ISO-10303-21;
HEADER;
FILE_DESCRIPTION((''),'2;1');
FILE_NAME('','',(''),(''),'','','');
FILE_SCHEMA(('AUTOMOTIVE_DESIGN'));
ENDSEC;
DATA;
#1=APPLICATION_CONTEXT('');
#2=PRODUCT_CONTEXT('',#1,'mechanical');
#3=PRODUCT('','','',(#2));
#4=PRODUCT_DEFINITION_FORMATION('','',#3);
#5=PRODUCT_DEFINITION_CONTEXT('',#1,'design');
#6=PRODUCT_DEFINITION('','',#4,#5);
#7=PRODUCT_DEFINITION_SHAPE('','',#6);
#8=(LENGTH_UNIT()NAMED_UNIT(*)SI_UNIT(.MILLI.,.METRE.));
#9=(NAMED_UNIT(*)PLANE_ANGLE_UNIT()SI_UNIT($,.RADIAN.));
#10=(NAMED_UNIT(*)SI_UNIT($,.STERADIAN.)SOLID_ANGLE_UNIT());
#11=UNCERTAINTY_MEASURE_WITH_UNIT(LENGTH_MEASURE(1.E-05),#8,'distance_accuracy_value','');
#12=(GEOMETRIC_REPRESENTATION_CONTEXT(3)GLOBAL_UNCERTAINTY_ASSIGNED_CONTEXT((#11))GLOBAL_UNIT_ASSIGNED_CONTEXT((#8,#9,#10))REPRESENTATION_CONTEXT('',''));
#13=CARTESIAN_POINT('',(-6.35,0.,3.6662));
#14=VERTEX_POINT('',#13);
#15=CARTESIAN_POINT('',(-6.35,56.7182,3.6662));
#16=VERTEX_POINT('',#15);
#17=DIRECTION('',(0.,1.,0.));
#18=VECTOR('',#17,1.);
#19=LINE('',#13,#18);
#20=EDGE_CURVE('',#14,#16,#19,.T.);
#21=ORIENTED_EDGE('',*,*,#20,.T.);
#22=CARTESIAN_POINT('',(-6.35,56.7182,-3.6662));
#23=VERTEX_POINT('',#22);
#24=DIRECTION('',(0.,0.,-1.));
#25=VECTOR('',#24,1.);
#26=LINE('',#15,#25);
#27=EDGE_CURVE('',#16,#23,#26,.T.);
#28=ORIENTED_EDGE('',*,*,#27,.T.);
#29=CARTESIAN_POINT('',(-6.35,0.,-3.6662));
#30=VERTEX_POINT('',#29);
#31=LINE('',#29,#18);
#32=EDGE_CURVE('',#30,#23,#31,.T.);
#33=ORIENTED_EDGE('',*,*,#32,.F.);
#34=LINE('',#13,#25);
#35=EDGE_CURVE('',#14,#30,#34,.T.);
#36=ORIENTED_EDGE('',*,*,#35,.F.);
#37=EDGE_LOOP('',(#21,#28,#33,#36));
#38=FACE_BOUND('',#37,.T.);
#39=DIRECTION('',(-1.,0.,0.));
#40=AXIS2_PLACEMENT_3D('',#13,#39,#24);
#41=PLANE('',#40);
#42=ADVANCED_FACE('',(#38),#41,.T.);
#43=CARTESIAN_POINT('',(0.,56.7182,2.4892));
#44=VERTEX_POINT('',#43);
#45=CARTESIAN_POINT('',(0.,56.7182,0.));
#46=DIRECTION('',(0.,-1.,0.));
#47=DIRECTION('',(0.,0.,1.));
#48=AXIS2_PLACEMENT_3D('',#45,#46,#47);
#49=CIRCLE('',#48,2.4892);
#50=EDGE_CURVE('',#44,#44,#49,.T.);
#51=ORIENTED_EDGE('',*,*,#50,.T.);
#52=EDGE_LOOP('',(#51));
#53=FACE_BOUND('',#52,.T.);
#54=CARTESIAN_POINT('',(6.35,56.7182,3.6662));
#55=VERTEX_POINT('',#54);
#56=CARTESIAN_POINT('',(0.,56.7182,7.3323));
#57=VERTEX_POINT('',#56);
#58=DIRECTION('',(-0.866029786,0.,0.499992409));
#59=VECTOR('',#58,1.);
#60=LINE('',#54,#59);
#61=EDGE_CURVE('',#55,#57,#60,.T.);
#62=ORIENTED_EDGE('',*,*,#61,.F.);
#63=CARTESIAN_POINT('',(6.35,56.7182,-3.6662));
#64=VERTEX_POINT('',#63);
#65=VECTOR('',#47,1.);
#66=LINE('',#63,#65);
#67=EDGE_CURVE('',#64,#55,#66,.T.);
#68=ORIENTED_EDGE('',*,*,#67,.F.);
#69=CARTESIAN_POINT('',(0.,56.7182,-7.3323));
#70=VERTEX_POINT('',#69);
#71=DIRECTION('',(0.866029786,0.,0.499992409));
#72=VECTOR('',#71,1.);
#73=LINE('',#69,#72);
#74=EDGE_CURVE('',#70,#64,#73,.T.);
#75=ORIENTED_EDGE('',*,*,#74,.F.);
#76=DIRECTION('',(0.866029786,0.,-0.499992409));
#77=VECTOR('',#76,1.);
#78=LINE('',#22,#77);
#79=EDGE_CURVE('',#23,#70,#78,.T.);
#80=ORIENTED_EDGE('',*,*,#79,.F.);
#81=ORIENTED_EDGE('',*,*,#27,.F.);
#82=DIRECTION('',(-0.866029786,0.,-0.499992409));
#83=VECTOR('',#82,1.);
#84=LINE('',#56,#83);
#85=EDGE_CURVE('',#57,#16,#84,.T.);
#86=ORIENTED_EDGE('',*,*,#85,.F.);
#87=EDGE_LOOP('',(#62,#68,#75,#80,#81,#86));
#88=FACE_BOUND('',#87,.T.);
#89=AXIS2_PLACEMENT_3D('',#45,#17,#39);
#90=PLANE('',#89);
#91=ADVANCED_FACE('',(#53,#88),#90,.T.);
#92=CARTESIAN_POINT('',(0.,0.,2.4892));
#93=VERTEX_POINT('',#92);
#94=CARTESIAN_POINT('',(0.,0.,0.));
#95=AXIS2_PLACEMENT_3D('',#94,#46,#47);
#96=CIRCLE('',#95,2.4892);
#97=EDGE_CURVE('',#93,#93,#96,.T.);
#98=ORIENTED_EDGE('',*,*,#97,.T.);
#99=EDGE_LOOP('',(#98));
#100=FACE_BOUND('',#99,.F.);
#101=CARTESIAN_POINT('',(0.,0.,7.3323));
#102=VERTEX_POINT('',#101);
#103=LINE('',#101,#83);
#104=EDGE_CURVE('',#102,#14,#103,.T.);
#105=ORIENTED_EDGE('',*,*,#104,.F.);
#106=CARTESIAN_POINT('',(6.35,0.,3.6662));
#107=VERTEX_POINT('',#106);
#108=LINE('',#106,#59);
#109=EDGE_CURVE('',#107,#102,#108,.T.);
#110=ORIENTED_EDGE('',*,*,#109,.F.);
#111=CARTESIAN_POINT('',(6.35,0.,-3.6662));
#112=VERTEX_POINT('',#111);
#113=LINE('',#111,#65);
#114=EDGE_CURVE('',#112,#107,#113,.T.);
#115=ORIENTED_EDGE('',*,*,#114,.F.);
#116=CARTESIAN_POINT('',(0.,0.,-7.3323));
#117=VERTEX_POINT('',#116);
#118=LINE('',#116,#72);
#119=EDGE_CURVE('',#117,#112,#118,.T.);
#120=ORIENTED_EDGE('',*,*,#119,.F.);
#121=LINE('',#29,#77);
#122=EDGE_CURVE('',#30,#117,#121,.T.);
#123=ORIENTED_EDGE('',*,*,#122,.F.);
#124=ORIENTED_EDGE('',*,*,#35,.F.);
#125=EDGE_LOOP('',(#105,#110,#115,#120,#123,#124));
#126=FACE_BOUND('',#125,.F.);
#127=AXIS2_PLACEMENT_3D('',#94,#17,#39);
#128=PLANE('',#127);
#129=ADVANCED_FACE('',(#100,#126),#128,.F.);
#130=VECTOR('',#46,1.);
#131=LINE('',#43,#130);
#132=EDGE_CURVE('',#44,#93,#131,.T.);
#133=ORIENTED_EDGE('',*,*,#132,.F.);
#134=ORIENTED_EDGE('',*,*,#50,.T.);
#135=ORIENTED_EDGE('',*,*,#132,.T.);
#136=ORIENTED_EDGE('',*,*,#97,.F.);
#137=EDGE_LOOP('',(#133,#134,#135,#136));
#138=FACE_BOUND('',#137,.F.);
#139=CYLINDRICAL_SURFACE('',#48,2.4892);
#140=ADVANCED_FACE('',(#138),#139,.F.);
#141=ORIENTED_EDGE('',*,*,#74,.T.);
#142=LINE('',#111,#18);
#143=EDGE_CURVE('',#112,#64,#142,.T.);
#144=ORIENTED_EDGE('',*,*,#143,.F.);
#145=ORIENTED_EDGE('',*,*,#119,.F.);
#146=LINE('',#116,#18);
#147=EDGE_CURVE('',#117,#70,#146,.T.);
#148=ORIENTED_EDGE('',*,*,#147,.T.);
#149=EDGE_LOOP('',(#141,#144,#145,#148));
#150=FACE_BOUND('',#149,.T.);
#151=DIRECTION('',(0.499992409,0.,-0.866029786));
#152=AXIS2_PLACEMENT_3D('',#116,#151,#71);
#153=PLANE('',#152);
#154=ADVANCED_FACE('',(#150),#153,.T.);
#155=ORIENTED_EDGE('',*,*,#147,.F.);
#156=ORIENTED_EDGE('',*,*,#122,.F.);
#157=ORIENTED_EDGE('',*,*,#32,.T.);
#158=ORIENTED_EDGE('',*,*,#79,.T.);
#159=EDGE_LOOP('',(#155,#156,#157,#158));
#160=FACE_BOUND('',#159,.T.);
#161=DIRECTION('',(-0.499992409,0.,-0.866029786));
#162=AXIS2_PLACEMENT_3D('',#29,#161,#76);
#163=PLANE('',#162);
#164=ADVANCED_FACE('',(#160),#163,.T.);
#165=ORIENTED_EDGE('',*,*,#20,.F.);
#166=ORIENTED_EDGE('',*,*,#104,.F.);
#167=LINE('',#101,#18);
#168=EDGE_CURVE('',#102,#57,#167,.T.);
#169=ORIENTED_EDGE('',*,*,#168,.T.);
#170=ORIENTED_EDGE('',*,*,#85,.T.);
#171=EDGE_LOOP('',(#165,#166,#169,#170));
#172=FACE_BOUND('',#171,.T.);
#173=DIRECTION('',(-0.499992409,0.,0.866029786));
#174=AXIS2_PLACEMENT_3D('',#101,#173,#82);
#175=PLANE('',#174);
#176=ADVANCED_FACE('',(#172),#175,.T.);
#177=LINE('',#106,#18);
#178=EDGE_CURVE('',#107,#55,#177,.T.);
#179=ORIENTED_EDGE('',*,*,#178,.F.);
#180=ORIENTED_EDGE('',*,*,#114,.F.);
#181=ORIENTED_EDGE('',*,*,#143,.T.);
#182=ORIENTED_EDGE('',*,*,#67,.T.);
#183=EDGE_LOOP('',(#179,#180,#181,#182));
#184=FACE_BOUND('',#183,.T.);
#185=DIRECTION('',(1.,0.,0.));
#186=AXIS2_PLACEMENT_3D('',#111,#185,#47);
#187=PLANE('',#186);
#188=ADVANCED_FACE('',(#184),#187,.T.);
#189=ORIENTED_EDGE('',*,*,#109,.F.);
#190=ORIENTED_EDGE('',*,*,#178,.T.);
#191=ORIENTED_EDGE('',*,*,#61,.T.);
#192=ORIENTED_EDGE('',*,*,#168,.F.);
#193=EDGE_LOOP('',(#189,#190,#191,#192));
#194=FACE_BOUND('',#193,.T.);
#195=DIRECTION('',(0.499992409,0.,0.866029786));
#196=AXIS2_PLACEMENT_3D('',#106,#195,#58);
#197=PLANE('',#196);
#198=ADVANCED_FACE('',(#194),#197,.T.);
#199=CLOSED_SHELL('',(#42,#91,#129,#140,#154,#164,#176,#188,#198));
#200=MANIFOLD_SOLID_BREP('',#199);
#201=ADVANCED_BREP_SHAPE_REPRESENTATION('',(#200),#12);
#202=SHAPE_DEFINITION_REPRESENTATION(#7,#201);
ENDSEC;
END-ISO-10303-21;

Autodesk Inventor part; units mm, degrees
ref_plane "YZ Plane" through (0, 0, 0) normal (1, 0, 0) x (0, 1, 0)
ref_plane "XZ Plane" through (0, 0, 0) normal (0, 1, 0) x (-1, 0, 0)
ref_plane "XY Plane" through (0, 0, 0) normal (0, 0, 1) x (1, 0, 0)
sketch "Sketch1" plane through (0, 0, 0) normal (0, 1, 0) x (-1, 0, 0)
  line L0 (6.35, -3.6662) -> (0, -7.3323)
  line L1 (0, -7.3323) -> (-6.35, -3.6662)
  line L2 (-6.35, -3.6662) -> (-6.35, 3.6662)
  line L3 (-6.35, 3.6662) -> (0, 7.3323)
  line L4 (0, 7.3323) -> (6.35, 3.6662)
  line L5 (6.35, 3.6662) -> (6.35, -3.6662)
  point P0 (0, 0)
  point P1 (0, 0)
  dimension "d0" = 12.7
extrude "Extrusion1" add sketch "Sketch1" along normal blind 56.7182
sketch "Sketch2" plane through (0, 56.7182, 0) normal (0, 1, 0) x (1, 0, 0)
  point P0 (0, 0)
  point P1 (0, 0)
hole "Hole1" at (0, 56.7182, 0) direction (0, -1, 0) diameter 4.9784 end through all thread size "1/4-20 UNC" class "2B" standard "ANSI Unified Screw Threads"
properties part number "DragBarLinkage3 HexShaft1"
